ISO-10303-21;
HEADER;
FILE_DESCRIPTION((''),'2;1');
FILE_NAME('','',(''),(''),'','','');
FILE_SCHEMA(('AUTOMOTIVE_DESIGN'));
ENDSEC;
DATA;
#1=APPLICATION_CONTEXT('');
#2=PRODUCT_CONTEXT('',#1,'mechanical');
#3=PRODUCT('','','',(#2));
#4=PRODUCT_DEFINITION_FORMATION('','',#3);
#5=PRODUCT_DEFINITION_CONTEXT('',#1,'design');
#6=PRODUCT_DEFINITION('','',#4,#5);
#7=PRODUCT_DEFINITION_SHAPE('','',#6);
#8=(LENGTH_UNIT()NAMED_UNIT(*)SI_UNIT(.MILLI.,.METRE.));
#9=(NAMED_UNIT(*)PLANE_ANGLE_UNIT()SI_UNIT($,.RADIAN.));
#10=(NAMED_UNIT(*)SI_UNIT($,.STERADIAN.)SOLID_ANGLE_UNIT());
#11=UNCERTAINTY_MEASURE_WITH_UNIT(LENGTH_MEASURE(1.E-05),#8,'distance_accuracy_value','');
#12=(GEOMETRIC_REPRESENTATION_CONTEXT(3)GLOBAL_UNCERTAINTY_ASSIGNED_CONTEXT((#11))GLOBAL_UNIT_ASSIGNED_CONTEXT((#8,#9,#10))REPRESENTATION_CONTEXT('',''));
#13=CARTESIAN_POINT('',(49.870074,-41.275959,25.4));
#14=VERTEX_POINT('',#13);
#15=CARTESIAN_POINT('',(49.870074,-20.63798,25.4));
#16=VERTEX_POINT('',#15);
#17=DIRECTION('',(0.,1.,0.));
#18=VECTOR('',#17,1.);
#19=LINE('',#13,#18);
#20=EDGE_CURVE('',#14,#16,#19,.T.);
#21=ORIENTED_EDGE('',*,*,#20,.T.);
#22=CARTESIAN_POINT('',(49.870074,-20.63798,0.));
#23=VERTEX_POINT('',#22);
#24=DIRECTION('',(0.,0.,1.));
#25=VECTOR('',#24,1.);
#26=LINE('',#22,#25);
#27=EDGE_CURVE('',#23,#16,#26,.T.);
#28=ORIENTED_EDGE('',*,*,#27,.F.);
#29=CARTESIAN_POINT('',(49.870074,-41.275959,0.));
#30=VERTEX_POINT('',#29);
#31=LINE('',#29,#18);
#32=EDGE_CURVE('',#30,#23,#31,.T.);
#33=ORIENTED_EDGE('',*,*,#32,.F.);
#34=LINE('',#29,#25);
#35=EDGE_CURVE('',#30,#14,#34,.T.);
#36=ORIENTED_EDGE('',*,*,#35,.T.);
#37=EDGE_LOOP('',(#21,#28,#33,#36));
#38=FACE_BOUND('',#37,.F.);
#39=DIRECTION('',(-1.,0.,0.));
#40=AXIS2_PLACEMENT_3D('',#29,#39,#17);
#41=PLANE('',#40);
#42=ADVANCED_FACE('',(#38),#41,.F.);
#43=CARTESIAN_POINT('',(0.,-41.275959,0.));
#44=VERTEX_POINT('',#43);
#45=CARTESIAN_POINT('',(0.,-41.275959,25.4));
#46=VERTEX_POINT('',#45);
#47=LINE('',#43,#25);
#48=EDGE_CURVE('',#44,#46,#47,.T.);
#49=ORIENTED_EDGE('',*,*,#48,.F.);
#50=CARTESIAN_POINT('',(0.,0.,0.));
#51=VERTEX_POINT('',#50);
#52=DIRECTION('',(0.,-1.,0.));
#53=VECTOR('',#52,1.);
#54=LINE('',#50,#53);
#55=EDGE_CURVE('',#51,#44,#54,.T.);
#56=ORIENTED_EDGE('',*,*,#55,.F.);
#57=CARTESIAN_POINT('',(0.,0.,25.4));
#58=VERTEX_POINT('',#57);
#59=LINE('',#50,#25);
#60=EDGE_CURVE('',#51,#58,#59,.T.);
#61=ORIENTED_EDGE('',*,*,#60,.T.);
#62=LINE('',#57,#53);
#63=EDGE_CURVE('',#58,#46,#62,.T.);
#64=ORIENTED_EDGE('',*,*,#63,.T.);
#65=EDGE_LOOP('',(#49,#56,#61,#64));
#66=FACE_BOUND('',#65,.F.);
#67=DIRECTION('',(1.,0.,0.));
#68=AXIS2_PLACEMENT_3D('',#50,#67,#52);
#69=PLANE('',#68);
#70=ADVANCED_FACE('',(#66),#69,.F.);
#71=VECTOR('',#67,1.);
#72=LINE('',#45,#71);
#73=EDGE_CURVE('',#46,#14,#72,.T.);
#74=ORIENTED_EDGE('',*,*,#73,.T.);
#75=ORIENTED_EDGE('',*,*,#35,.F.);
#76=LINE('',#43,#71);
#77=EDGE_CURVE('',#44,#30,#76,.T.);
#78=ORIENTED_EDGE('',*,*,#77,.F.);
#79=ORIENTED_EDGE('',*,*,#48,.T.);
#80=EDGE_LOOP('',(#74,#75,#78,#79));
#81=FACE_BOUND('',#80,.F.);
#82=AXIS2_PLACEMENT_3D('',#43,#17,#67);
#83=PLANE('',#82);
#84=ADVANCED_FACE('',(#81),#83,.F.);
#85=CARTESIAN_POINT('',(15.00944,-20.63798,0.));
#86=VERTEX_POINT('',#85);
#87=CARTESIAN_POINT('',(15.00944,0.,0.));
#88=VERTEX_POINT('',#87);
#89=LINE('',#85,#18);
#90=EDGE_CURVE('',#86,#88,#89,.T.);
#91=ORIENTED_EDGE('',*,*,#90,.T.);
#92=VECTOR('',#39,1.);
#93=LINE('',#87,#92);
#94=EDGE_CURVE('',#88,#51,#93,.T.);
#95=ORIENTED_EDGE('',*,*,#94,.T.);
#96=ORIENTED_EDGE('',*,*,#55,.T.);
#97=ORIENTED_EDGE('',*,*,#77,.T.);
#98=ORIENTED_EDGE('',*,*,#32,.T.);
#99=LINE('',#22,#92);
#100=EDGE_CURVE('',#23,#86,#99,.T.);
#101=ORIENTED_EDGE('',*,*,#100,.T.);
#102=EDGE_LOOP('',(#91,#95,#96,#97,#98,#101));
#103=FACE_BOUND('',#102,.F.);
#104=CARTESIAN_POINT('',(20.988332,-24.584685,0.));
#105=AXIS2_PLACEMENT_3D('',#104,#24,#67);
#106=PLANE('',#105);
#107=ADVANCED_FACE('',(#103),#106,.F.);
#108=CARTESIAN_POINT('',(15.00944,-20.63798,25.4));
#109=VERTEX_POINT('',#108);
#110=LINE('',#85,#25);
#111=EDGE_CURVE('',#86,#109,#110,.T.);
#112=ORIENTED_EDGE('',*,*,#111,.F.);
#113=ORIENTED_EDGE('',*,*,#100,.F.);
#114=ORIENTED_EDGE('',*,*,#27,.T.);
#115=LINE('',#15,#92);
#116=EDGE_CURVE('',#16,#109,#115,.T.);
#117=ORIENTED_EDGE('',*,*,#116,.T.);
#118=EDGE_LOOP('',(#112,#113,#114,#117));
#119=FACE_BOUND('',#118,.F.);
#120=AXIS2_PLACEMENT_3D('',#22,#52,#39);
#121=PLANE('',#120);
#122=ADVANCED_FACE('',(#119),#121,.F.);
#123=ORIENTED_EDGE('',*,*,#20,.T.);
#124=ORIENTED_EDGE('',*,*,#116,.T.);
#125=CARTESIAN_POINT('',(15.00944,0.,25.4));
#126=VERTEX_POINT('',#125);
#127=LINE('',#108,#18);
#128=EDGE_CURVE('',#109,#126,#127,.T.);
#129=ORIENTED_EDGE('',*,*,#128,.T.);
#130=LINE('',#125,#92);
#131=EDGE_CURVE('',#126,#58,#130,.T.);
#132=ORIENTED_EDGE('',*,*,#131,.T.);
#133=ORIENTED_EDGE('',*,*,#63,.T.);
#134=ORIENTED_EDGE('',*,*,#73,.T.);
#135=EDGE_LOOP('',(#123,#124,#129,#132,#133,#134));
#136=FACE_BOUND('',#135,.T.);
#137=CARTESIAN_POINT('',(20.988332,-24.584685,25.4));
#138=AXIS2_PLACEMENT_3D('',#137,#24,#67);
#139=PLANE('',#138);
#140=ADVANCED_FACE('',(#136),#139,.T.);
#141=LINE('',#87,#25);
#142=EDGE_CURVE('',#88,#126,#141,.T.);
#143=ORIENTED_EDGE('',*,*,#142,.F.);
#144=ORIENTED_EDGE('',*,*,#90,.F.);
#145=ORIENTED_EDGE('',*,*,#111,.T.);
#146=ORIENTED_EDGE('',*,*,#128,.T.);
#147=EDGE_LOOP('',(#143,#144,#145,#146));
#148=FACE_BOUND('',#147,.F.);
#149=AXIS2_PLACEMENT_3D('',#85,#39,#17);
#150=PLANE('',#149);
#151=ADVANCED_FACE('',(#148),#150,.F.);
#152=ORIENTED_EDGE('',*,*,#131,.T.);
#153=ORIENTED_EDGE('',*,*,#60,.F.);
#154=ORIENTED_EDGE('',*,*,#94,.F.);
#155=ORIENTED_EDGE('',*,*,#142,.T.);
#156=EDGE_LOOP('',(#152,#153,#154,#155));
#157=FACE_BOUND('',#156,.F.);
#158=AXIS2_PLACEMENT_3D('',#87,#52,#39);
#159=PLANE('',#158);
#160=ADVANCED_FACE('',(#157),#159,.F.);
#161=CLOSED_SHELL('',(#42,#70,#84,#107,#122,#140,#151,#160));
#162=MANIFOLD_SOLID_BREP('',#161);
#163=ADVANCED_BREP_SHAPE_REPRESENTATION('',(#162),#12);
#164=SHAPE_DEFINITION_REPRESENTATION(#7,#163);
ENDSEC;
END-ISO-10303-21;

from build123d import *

# Parameters (mm, degrees)
F1_DEPTH = 25.4


with BuildPart() as f1:
    # F0 (on Top) → F1 (new body)
    with BuildSketch(Plane.XY):
        Polygon((15.0094395503, 0), (0, 0), (0, -41.2759594619), (49.8700737953, -41.2759594619), (49.8700737953, -20.637979731), (15.0094395503, -20.637979731), align=None)
    extrude(amount=F1_DEPTH)

    # F2: sweep along a path in F2_path
    with BuildLine(Plane(origin=(49.8700737953, -41.2759594619, 25.4), x_dir=(0, 0, 1), z_dir=(0, -1, 0))) as f2_path:
        Line((0, 0), (-25.4, 0))
    # F1_face (on face) → F2 (sweep)
    with BuildSketch(Plane(origin=(20.9026501287, -26.1825116321, 25.4), x_dir=(1, 0, 0), z_dir=(0, 0, 1))):
        Polygon((-5.8932105783, 26.1825116321), (-20.9026501287, 26.1825116321), (-20.9026501287, -15.0934478298), (28.9674236666, -15.0934478298), (28.9674236666, 5.5445319012), (-5.8932105783, 5.5445319012), align=None)
    sweep(path=f2_path.line)


solid = f1.part
